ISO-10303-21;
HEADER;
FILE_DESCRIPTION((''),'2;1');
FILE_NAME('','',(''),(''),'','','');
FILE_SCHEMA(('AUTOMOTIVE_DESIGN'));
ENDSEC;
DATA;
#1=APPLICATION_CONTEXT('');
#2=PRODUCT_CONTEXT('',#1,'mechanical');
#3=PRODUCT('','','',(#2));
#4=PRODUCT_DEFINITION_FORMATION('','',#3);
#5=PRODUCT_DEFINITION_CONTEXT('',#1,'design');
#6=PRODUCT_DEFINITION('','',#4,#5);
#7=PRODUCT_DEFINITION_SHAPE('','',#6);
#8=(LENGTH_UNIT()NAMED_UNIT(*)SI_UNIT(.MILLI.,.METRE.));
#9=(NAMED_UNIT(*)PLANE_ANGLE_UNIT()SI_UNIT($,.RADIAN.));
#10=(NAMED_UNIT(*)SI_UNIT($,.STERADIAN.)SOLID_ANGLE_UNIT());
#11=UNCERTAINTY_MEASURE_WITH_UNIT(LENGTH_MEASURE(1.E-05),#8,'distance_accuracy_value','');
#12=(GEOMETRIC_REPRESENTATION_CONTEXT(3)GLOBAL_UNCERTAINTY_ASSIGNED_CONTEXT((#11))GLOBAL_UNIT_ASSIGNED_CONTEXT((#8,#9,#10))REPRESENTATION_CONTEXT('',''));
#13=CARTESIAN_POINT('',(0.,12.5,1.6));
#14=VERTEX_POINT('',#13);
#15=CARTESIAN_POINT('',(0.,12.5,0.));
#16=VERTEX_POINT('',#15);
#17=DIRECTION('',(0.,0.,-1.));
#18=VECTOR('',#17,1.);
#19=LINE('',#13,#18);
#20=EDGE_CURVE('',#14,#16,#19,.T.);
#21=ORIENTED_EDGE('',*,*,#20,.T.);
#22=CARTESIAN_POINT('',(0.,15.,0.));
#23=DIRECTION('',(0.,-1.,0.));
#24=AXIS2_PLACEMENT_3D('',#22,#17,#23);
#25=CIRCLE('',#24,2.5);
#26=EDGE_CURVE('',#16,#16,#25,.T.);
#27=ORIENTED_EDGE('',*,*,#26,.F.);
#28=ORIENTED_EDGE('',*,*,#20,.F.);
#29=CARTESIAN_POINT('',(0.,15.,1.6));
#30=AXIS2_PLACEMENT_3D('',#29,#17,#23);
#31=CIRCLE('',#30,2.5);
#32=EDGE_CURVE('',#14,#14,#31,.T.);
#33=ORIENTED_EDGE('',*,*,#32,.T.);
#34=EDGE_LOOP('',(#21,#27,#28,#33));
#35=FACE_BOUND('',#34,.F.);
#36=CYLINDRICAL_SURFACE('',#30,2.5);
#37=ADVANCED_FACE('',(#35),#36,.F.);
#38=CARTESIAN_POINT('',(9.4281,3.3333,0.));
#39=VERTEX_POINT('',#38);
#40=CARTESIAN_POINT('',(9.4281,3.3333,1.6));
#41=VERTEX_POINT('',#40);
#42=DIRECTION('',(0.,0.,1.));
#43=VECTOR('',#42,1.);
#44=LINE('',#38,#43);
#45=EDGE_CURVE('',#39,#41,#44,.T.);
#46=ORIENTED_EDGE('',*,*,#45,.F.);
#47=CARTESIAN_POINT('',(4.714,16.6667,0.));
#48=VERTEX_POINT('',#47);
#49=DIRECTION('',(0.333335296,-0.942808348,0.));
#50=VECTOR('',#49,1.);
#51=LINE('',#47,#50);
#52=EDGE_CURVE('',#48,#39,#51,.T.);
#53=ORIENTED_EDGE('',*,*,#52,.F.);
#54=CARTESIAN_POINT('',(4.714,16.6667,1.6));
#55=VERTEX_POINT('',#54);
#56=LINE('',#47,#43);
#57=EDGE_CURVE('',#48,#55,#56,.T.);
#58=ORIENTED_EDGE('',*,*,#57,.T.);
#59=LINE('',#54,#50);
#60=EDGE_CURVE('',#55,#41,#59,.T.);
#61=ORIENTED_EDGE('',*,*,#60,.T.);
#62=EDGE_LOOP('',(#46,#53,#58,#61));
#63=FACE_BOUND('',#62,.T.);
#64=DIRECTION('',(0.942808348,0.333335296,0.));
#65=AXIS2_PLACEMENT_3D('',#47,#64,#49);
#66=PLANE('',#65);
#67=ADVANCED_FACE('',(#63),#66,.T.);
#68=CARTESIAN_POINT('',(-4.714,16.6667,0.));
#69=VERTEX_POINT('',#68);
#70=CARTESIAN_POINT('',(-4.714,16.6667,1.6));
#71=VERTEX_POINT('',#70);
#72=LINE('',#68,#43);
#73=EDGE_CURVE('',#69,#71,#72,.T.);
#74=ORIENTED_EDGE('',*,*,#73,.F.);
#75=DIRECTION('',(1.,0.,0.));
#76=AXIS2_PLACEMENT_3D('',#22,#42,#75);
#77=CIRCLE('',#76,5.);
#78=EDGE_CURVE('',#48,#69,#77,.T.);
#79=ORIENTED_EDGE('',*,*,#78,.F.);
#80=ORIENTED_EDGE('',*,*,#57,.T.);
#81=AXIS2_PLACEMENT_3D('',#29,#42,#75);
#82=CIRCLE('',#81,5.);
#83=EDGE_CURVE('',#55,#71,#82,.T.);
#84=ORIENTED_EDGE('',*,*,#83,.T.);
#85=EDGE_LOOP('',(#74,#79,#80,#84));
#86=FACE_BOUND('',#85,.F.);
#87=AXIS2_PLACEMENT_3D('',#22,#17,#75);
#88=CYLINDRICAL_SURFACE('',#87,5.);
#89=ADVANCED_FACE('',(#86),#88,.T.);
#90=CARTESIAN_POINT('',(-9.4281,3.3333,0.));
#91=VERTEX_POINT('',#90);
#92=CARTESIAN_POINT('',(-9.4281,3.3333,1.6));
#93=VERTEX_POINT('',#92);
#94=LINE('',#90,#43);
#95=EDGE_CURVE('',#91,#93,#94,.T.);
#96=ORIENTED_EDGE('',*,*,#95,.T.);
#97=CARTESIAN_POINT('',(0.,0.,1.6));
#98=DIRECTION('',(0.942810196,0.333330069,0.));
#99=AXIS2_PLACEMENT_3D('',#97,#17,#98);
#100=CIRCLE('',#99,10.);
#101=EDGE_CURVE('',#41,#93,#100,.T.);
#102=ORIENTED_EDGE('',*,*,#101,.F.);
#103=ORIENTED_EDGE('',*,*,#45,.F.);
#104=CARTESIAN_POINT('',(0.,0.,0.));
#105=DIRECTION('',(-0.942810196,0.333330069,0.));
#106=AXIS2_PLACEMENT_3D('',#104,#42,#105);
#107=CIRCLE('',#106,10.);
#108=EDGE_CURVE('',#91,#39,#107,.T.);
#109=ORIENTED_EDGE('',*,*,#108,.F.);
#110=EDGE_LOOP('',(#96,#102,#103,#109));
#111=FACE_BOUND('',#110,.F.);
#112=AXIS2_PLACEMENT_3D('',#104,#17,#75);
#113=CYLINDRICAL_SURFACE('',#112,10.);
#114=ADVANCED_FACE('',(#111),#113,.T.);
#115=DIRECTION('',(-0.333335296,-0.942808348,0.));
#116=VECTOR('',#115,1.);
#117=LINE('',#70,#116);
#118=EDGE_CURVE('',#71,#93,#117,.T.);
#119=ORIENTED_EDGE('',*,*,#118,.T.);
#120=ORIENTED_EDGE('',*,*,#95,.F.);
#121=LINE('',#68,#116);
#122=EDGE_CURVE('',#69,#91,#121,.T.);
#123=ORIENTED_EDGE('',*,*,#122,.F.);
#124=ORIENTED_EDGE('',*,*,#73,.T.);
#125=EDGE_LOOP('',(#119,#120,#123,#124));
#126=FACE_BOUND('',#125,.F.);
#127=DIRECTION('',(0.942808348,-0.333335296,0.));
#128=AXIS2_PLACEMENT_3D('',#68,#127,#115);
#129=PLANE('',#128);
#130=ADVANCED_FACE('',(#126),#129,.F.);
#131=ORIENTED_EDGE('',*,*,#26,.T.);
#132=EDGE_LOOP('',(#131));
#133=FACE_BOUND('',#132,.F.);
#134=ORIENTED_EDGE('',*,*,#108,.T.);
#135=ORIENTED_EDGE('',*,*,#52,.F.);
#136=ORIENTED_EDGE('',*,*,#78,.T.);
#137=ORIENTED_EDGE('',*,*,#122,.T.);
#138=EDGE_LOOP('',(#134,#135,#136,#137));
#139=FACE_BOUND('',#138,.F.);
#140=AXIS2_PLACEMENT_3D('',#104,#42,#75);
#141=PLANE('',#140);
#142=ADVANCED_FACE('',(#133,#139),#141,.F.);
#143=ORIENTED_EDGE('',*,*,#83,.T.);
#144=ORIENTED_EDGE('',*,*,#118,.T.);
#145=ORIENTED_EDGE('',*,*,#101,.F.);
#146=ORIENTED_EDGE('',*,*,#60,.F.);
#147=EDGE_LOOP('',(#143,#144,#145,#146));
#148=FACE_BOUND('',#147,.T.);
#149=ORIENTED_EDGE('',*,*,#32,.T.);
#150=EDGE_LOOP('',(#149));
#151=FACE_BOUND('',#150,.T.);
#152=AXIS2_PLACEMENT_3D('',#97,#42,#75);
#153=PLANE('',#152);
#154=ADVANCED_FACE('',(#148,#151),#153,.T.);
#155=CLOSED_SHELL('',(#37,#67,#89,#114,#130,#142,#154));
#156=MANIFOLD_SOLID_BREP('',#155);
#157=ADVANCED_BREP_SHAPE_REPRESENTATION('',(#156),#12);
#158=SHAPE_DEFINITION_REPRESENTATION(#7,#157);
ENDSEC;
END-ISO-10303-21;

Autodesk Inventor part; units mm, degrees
ref_plane "YZ Plane" through (0, 0, 0) normal (1, 0, 0) x (0, 1, 0)
ref_plane "XZ Plane" through (0, 0, 0) normal (0, 1, 0) x (-1, 0, 0)
ref_plane "XY Plane" through (0, 0, 0) normal (0, 0, 1) x (1, 0, 0)
sketch "Sketch1" plane through (0, 0, 0) normal (0, 0, 1) x (1, 0, 0)
  circle A0 centre (0, 0) radius 10
  circle A1 centre (0, 15) radius 5
  line L0 (0, 0) -> (0, 15)
  line L1 (-4.714, 16.6667) -> (-9.4281, 3.3333)
  line L2 (4.714, 16.6667) -> (9.4281, 3.3333)
  dimension "d0" = 20
  dimension "d1" = 10
extrude "Extrusion1" add sketch "Sketch1" along normal blind 1.6
sketch "Sketch2" plane through (0, 0, 1.6) normal (0, 0, 1) x (1, 0, 0)
  arc A0 (-9.4281, 3.3333) -> (9.4281, 3.3333) centre (0, 0) ccw projected
  line L0 (9.4281, 3.3333) -> (4.714, 16.6667) projected
  arc A1 (4.714, 16.6667) -> (-4.714, 16.6667) centre (0, 15) ccw projected
  line L1 (-4.714, 16.6667) -> (-9.4281, 3.3333) projected
hole "Hole1" at (0, 15, 1.6) direction (0, 0, -1) diameter 5 end through all
sketch "Sketch3" plane through (0, 0, 1.6) normal (0, 0, 1) x (1, 0, 0)
  circle A0 centre (0, 15) radius 2.5 projected
  point P0 (0, 0)
properties part number "Key Fob" material "ABS Plastic"
